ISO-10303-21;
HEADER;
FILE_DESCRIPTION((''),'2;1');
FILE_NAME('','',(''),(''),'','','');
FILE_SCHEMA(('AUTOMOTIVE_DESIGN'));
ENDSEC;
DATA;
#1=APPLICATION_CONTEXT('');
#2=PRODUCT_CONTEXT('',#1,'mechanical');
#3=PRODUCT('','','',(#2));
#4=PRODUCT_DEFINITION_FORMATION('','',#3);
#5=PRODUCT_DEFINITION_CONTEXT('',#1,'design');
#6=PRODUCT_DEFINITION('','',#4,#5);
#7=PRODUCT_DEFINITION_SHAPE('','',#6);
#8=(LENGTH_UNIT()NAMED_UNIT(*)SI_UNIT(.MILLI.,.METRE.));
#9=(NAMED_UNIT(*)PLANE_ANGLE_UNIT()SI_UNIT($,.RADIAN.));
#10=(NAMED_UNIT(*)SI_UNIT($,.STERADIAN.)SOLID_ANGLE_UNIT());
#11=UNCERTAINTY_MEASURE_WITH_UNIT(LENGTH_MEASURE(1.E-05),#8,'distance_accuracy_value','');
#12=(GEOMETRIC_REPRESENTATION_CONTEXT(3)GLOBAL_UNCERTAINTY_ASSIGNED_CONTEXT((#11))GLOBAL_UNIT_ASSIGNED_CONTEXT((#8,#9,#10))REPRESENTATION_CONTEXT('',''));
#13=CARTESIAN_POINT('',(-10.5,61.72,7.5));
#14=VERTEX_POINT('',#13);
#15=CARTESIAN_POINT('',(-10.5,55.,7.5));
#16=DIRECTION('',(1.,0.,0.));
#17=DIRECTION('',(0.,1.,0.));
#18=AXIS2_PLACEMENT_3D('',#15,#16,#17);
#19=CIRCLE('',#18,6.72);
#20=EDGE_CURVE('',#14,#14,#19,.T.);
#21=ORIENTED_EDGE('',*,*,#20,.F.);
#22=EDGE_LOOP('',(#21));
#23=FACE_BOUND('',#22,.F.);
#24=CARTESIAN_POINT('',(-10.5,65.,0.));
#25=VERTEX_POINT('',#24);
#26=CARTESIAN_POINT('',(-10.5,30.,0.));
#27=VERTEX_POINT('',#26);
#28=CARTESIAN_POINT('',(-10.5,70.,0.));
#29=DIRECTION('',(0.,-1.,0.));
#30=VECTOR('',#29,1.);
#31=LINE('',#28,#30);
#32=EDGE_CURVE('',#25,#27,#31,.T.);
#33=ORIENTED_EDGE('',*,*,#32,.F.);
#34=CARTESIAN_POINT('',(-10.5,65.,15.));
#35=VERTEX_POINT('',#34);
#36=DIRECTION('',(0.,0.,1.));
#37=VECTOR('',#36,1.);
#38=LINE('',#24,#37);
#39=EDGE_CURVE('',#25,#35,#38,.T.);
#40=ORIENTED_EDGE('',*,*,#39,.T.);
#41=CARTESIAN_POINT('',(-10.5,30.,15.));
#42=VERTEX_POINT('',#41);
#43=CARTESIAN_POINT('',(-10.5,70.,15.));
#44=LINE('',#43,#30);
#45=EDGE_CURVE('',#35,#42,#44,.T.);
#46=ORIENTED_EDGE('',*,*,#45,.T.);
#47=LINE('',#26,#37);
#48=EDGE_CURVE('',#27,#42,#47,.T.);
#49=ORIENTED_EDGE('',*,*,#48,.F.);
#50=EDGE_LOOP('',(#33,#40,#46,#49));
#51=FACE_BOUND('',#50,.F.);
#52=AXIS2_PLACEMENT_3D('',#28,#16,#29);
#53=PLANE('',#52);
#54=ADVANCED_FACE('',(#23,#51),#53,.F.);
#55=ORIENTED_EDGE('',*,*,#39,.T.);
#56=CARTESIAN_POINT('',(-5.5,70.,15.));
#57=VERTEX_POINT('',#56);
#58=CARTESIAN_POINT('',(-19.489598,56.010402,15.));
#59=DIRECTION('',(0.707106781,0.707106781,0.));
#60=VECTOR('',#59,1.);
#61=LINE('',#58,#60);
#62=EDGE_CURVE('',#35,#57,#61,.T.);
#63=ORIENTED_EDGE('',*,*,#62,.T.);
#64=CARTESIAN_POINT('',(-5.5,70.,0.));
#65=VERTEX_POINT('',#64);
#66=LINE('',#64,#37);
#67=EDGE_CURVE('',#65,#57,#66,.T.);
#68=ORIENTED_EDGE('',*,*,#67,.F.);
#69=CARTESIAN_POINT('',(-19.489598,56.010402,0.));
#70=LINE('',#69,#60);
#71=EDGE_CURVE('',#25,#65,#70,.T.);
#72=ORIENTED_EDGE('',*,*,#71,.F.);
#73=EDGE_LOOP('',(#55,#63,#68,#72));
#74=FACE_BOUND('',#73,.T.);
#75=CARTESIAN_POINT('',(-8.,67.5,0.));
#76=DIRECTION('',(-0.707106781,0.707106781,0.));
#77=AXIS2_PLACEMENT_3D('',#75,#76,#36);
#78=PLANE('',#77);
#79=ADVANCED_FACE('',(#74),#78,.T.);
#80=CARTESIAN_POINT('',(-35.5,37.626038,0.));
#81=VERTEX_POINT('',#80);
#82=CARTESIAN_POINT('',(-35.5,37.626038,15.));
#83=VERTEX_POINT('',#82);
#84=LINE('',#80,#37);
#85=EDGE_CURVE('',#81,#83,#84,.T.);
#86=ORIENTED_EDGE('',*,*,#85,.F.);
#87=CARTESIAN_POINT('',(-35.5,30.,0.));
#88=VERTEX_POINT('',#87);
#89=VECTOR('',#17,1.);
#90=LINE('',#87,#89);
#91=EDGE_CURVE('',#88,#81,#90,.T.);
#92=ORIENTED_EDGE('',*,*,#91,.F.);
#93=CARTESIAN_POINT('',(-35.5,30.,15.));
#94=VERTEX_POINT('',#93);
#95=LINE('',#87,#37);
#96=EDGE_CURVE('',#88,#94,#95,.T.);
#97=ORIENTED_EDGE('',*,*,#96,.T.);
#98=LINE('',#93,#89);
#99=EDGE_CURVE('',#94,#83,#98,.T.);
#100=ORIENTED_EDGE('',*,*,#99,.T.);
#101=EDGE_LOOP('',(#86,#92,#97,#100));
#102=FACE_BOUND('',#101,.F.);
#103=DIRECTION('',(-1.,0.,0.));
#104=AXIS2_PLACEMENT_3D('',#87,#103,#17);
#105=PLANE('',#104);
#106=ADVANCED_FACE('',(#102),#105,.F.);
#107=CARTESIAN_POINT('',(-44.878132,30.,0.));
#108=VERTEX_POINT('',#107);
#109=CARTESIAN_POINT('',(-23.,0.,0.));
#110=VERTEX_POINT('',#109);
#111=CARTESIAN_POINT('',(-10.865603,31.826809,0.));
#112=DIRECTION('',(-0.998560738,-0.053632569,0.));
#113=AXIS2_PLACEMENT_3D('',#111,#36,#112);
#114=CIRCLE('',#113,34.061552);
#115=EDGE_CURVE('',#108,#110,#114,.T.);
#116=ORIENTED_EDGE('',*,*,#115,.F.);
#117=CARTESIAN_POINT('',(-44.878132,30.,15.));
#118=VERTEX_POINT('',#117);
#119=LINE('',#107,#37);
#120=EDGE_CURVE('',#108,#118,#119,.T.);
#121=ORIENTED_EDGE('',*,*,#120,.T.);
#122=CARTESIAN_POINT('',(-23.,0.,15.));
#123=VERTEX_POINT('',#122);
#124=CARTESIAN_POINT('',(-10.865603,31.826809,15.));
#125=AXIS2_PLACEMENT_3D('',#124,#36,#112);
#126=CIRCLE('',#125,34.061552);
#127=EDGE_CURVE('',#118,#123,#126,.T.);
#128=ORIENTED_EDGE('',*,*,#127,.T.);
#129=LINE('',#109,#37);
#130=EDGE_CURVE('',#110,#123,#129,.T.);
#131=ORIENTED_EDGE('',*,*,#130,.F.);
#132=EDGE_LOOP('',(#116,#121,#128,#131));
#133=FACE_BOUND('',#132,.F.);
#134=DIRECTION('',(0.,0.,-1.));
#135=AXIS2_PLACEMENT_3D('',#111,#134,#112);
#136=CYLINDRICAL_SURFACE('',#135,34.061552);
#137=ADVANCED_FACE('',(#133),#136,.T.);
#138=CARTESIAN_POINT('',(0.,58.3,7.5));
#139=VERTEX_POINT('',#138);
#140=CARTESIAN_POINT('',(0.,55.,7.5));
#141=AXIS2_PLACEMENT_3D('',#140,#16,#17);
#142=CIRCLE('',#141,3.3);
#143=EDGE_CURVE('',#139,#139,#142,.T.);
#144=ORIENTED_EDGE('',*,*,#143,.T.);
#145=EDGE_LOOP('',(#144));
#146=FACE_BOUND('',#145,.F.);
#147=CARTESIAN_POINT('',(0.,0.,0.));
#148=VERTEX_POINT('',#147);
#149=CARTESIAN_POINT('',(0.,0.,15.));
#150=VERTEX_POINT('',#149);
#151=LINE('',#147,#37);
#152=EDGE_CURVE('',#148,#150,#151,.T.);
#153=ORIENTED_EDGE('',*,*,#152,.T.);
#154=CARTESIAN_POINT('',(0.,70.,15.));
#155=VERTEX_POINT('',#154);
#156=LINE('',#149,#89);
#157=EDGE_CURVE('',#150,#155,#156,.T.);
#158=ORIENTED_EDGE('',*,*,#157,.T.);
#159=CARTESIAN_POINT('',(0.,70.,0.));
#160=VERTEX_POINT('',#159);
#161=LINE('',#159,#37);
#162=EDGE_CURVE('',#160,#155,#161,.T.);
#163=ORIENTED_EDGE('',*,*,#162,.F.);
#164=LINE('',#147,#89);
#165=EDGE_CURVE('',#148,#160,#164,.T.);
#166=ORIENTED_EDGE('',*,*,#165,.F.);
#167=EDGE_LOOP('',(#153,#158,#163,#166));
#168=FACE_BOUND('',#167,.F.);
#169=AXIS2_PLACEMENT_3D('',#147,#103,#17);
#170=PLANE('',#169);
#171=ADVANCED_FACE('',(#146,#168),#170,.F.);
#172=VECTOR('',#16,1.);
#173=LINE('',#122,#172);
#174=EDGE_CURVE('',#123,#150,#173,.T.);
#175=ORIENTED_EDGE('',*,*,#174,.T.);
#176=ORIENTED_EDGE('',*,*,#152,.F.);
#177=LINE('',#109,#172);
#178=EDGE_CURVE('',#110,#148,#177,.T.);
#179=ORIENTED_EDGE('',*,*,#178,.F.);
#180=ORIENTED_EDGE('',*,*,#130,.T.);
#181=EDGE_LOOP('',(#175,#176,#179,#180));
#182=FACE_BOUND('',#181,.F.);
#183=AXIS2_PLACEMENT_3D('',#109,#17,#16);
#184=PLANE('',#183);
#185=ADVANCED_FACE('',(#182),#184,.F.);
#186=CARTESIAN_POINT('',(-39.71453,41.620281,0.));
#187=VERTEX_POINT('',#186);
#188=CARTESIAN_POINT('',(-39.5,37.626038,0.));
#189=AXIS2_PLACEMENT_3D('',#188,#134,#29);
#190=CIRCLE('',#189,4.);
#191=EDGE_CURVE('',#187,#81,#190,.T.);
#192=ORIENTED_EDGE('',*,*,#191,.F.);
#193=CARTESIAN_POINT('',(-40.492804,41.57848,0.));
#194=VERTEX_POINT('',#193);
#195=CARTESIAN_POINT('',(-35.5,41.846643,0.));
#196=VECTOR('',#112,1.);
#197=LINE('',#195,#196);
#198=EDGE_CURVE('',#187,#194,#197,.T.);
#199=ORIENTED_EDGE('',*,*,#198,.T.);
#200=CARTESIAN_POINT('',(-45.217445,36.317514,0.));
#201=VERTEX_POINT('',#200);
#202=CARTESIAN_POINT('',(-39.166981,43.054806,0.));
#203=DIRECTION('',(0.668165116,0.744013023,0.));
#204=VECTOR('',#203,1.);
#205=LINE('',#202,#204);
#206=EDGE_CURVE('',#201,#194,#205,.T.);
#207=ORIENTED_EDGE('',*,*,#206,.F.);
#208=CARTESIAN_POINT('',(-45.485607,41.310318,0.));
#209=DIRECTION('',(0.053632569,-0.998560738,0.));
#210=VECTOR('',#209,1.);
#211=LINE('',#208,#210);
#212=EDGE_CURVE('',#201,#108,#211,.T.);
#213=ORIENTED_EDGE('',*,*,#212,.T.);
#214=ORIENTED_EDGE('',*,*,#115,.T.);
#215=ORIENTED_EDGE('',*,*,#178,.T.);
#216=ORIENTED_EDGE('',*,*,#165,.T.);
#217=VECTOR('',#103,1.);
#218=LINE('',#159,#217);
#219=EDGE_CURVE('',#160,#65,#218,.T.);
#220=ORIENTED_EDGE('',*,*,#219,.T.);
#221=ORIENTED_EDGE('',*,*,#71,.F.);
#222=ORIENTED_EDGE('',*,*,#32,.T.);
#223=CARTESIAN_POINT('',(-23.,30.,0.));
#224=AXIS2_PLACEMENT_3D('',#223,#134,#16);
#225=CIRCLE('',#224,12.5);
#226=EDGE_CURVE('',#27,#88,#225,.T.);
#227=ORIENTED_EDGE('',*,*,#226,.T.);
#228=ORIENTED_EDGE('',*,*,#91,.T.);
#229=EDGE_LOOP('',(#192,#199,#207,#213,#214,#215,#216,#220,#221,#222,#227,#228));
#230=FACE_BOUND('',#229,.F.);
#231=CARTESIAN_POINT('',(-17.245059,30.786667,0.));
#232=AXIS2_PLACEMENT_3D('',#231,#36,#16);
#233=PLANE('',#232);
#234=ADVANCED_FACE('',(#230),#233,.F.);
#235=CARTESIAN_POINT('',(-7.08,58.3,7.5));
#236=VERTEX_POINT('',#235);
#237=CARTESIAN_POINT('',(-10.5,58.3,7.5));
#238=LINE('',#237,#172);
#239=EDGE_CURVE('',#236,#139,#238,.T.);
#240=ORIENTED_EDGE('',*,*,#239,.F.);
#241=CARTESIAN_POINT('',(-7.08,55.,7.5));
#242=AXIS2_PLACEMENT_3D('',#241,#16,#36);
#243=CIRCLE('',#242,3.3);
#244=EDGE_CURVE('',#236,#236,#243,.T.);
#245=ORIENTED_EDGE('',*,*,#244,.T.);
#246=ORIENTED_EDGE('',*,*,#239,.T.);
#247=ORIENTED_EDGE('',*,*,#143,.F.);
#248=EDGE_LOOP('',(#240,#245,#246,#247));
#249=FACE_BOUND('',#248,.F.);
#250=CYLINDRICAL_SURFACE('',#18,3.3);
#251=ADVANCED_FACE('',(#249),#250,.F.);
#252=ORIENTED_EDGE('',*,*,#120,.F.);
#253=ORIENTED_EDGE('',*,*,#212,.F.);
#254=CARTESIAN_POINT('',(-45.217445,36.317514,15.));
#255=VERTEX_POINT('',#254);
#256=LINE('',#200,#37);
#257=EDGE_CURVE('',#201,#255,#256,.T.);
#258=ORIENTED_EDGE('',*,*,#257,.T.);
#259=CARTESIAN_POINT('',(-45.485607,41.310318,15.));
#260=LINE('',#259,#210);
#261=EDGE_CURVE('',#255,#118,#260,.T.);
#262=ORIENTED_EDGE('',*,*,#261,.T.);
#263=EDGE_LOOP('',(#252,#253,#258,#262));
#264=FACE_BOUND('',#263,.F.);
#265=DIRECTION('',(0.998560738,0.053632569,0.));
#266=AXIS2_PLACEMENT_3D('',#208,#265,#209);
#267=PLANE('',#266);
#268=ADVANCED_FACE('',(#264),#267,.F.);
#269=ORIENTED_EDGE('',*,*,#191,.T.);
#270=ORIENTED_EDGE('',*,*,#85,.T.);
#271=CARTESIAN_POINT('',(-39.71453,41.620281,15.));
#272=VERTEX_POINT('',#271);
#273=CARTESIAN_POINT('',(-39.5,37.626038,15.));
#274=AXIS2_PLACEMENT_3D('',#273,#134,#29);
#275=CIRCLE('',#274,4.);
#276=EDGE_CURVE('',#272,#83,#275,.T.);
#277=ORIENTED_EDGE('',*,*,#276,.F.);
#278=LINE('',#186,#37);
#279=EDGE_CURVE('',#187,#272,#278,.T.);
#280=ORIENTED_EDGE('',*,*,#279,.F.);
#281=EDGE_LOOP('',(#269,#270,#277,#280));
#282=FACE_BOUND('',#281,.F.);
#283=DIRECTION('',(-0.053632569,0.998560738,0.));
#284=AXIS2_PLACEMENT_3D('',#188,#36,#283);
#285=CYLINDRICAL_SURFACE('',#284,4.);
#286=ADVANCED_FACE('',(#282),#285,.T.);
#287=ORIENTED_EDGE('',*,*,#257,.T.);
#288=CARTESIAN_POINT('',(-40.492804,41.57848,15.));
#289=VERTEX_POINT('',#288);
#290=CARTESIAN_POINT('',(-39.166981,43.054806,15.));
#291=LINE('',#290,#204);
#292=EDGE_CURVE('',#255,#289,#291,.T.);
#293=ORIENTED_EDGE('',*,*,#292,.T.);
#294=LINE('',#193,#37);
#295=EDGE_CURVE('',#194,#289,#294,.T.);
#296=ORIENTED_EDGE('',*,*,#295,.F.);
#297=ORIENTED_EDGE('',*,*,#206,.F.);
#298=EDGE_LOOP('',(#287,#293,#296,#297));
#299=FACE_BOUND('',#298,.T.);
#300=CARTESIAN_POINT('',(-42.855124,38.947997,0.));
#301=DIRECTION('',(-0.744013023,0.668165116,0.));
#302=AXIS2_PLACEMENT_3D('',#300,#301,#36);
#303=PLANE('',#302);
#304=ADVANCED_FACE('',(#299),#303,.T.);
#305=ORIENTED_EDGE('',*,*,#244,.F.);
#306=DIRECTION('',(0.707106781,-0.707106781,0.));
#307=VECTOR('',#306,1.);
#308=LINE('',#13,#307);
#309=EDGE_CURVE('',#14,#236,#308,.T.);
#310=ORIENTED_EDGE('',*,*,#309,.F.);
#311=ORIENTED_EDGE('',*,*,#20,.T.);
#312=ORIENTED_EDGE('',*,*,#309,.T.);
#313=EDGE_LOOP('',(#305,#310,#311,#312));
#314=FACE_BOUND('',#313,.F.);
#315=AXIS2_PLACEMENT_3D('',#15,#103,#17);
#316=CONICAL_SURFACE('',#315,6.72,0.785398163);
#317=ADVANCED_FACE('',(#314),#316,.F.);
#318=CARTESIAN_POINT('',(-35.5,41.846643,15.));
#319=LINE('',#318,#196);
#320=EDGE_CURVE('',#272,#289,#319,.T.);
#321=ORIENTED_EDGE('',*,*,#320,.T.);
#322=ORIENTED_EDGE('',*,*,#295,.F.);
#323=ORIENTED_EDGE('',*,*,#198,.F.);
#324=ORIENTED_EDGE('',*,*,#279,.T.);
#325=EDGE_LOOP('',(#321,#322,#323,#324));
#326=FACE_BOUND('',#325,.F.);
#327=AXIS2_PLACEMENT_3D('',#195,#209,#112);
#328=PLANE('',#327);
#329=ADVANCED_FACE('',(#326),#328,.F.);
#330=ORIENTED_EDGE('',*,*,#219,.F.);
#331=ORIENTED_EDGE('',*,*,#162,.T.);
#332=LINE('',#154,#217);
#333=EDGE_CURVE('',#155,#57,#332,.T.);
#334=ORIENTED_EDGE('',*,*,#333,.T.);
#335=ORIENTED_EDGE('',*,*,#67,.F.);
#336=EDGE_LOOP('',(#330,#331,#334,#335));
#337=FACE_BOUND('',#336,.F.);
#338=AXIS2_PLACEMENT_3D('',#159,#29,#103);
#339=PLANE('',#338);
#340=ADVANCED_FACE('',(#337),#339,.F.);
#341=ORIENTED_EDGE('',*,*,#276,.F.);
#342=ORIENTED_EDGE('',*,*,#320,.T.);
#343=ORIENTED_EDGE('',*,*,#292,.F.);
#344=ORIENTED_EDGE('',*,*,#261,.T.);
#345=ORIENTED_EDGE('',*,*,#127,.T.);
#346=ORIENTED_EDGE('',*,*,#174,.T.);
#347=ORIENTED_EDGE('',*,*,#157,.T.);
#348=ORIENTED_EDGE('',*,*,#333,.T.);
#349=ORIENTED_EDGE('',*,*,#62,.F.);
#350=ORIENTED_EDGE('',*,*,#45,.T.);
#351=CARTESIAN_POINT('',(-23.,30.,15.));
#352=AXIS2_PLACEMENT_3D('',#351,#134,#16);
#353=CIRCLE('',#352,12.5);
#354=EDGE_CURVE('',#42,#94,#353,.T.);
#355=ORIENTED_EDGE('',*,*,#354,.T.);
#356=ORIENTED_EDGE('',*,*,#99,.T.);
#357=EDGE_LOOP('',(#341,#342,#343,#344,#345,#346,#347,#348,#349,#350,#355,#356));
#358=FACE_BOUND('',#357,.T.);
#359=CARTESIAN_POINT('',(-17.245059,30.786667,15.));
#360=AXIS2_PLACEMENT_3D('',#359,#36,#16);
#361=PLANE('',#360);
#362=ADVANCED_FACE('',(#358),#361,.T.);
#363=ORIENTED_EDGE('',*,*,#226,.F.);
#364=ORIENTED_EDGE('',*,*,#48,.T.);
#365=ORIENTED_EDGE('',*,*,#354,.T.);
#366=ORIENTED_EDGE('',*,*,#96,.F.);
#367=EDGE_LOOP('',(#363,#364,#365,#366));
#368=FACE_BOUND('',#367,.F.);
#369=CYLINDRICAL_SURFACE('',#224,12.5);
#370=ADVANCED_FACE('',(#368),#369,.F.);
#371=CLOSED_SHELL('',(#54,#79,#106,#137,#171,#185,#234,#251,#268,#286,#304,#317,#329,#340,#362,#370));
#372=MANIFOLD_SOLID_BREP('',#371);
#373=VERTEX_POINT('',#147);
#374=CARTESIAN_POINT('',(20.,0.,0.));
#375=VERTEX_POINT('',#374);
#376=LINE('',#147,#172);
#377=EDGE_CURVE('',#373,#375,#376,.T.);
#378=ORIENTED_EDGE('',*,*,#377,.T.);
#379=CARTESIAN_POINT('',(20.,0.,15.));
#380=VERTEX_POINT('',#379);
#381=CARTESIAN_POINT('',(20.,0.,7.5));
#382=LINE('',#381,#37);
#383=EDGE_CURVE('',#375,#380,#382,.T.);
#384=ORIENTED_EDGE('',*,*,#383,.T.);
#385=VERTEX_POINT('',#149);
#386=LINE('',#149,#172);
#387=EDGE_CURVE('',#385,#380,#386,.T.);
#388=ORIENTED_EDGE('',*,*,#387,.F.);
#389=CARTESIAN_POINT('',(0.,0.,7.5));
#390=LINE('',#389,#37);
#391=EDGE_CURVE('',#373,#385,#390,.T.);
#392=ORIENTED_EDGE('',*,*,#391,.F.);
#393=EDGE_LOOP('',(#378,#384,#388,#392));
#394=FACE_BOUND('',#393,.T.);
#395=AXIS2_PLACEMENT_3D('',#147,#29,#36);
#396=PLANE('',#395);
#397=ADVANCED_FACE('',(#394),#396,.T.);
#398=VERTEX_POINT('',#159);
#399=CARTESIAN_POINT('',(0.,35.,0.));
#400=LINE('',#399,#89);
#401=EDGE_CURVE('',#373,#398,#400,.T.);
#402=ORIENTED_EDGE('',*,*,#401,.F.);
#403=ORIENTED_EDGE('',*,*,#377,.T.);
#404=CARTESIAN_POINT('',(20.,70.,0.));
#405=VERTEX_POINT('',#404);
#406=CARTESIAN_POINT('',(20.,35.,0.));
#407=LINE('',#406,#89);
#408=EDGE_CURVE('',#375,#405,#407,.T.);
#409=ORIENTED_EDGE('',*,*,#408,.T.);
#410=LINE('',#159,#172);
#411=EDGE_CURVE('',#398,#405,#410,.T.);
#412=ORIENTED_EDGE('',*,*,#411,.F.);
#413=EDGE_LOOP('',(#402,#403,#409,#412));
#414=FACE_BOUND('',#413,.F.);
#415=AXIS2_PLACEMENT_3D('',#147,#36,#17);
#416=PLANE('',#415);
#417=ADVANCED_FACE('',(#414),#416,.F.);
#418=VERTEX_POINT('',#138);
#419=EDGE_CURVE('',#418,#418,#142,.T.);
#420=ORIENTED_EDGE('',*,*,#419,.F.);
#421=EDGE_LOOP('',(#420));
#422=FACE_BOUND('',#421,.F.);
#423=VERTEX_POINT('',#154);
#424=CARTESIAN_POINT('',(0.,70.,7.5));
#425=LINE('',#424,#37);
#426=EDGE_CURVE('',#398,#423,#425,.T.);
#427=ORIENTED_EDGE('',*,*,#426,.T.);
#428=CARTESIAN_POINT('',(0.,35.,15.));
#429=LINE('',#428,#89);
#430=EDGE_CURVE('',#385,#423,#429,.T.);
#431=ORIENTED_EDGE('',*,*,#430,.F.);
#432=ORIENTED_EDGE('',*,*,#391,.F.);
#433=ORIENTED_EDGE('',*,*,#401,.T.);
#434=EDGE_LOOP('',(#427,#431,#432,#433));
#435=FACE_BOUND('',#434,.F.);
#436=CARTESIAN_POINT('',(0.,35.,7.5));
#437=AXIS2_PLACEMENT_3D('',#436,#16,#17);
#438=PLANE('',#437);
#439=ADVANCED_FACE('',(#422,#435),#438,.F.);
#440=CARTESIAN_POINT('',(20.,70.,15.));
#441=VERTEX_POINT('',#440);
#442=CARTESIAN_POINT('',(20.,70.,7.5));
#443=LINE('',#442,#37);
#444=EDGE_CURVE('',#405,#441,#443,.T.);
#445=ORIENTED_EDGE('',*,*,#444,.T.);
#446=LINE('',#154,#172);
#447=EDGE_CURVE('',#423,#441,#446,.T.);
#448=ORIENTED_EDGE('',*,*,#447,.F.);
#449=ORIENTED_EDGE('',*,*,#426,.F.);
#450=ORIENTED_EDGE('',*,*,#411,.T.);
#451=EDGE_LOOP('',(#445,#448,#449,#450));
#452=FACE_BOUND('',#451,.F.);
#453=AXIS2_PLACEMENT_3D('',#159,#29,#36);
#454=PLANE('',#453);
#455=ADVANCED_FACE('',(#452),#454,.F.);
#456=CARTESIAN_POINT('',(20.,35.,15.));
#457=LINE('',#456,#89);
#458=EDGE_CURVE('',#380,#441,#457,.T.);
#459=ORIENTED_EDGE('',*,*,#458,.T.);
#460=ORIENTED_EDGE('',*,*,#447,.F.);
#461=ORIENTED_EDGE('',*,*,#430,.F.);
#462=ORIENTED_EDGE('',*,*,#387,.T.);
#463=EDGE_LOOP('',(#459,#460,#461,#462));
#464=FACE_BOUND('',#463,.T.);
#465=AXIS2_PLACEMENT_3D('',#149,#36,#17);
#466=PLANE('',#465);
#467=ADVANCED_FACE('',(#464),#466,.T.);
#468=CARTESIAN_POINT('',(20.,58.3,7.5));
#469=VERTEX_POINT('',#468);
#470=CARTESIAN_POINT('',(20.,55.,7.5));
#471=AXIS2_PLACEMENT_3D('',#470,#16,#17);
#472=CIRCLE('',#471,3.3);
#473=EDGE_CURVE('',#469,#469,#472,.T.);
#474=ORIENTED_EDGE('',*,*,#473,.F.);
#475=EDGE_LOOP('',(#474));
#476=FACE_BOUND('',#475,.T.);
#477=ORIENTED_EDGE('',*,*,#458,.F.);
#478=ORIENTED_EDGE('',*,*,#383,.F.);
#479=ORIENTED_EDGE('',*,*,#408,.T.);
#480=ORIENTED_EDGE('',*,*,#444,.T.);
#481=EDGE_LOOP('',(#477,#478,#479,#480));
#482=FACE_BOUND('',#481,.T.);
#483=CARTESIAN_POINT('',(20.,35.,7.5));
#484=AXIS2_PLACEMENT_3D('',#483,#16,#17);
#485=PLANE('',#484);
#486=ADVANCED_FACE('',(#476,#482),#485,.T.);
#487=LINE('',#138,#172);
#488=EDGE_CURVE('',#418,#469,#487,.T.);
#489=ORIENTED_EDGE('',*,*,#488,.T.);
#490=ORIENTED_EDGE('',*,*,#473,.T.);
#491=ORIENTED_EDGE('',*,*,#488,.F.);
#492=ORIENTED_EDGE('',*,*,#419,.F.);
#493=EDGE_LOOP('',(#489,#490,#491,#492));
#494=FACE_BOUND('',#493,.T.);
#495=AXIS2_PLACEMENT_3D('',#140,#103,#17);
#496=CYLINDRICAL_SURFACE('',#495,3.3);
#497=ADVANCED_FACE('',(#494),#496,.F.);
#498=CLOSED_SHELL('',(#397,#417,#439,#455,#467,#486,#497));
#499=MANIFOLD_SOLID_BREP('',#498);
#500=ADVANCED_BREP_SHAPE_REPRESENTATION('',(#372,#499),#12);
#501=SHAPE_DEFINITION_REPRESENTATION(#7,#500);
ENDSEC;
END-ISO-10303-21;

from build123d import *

# Parameters (mm, degrees)
F1_DEPTH       = 15
F3_D           = 6.6
F3_CSINK_D     = 13.44
F3_CSINK_ANGLE = 90
F4_SIZE        = 5
F5_SIZE        = 5
F6_R           = 4
F7_W           = 70
F7_H           = 15
F7_R           = 3.3
F8_DEPTH       = 20


with BuildPart() as f1:
    # F0 (on Top) → F1 (new body)
    with BuildSketch(Plane.XY):
        with BuildLine():
            Line((-23, 0), (0, 0))
            Line((0, 0), (0, 70))
            Line((0, 70), (-10.5, 70))
            Line((-10.5, 70), (-10.5, 30))
            ThreePointArc((-10.5, 30), (-23, 17.5), (-35.5, 30))
            Line((-35.5, 30), (-35.5, 41.8466433071))
            Line((-35.5, 41.8466433071), (-45.4856073802, 41.3103176141))
            Line((-45.4856073802, 41.3103176141), (-44.8781316702, 30))
            ThreePointArc((-44.8781316702, 30), (-38.3862259538, 11.7568148455), (-23, 0))
        make_face()
    extrude(amount=F1_DEPTH)

    # F3 (through all)
    with Locations(Plane(origin=(-10.5, 0, 0), x_dir=(0, -1, 0), z_dir=(-1, 0, 0))):
        with Locations((-55, 7.5)):
            CounterSinkHole(F3_D / 2, F3_CSINK_D / 2, counter_sink_angle=F3_CSINK_ANGLE)

    # F4
    f4_edges = [f1.edges().sort_by_distance(p)[0] for p in [
        (-10.5, 70, 7.5),
    ]]
    chamfer(f4_edges, length=F4_SIZE)

    # F5
    f5_edges = [f1.edges().sort_by_distance(p)[0] for p in [
        (-45.485607, 41.310318, 7.5),
    ]]
    chamfer(f5_edges, length=F5_SIZE)

    # F6
    f6_edges = [f1.edges().sort_by_distance(p)[0] for p in [
        (-35.5, 41.846643, 7.5),
    ]]
    fillet(f6_edges, radius=F6_R)


with BuildPart() as f8:
    # F7 (on face) → F8 (new body)
    with BuildSketch(Plane.YZ):
        with Locations((35, 7.5)):
            Rectangle(F7_W, F7_H)
        with Locations((55, 7.5)):
            Circle(F7_R, mode=Mode.SUBTRACT)
    extrude(amount=F8_DEPTH)


solid = Compound([f1.part, f8.part])
